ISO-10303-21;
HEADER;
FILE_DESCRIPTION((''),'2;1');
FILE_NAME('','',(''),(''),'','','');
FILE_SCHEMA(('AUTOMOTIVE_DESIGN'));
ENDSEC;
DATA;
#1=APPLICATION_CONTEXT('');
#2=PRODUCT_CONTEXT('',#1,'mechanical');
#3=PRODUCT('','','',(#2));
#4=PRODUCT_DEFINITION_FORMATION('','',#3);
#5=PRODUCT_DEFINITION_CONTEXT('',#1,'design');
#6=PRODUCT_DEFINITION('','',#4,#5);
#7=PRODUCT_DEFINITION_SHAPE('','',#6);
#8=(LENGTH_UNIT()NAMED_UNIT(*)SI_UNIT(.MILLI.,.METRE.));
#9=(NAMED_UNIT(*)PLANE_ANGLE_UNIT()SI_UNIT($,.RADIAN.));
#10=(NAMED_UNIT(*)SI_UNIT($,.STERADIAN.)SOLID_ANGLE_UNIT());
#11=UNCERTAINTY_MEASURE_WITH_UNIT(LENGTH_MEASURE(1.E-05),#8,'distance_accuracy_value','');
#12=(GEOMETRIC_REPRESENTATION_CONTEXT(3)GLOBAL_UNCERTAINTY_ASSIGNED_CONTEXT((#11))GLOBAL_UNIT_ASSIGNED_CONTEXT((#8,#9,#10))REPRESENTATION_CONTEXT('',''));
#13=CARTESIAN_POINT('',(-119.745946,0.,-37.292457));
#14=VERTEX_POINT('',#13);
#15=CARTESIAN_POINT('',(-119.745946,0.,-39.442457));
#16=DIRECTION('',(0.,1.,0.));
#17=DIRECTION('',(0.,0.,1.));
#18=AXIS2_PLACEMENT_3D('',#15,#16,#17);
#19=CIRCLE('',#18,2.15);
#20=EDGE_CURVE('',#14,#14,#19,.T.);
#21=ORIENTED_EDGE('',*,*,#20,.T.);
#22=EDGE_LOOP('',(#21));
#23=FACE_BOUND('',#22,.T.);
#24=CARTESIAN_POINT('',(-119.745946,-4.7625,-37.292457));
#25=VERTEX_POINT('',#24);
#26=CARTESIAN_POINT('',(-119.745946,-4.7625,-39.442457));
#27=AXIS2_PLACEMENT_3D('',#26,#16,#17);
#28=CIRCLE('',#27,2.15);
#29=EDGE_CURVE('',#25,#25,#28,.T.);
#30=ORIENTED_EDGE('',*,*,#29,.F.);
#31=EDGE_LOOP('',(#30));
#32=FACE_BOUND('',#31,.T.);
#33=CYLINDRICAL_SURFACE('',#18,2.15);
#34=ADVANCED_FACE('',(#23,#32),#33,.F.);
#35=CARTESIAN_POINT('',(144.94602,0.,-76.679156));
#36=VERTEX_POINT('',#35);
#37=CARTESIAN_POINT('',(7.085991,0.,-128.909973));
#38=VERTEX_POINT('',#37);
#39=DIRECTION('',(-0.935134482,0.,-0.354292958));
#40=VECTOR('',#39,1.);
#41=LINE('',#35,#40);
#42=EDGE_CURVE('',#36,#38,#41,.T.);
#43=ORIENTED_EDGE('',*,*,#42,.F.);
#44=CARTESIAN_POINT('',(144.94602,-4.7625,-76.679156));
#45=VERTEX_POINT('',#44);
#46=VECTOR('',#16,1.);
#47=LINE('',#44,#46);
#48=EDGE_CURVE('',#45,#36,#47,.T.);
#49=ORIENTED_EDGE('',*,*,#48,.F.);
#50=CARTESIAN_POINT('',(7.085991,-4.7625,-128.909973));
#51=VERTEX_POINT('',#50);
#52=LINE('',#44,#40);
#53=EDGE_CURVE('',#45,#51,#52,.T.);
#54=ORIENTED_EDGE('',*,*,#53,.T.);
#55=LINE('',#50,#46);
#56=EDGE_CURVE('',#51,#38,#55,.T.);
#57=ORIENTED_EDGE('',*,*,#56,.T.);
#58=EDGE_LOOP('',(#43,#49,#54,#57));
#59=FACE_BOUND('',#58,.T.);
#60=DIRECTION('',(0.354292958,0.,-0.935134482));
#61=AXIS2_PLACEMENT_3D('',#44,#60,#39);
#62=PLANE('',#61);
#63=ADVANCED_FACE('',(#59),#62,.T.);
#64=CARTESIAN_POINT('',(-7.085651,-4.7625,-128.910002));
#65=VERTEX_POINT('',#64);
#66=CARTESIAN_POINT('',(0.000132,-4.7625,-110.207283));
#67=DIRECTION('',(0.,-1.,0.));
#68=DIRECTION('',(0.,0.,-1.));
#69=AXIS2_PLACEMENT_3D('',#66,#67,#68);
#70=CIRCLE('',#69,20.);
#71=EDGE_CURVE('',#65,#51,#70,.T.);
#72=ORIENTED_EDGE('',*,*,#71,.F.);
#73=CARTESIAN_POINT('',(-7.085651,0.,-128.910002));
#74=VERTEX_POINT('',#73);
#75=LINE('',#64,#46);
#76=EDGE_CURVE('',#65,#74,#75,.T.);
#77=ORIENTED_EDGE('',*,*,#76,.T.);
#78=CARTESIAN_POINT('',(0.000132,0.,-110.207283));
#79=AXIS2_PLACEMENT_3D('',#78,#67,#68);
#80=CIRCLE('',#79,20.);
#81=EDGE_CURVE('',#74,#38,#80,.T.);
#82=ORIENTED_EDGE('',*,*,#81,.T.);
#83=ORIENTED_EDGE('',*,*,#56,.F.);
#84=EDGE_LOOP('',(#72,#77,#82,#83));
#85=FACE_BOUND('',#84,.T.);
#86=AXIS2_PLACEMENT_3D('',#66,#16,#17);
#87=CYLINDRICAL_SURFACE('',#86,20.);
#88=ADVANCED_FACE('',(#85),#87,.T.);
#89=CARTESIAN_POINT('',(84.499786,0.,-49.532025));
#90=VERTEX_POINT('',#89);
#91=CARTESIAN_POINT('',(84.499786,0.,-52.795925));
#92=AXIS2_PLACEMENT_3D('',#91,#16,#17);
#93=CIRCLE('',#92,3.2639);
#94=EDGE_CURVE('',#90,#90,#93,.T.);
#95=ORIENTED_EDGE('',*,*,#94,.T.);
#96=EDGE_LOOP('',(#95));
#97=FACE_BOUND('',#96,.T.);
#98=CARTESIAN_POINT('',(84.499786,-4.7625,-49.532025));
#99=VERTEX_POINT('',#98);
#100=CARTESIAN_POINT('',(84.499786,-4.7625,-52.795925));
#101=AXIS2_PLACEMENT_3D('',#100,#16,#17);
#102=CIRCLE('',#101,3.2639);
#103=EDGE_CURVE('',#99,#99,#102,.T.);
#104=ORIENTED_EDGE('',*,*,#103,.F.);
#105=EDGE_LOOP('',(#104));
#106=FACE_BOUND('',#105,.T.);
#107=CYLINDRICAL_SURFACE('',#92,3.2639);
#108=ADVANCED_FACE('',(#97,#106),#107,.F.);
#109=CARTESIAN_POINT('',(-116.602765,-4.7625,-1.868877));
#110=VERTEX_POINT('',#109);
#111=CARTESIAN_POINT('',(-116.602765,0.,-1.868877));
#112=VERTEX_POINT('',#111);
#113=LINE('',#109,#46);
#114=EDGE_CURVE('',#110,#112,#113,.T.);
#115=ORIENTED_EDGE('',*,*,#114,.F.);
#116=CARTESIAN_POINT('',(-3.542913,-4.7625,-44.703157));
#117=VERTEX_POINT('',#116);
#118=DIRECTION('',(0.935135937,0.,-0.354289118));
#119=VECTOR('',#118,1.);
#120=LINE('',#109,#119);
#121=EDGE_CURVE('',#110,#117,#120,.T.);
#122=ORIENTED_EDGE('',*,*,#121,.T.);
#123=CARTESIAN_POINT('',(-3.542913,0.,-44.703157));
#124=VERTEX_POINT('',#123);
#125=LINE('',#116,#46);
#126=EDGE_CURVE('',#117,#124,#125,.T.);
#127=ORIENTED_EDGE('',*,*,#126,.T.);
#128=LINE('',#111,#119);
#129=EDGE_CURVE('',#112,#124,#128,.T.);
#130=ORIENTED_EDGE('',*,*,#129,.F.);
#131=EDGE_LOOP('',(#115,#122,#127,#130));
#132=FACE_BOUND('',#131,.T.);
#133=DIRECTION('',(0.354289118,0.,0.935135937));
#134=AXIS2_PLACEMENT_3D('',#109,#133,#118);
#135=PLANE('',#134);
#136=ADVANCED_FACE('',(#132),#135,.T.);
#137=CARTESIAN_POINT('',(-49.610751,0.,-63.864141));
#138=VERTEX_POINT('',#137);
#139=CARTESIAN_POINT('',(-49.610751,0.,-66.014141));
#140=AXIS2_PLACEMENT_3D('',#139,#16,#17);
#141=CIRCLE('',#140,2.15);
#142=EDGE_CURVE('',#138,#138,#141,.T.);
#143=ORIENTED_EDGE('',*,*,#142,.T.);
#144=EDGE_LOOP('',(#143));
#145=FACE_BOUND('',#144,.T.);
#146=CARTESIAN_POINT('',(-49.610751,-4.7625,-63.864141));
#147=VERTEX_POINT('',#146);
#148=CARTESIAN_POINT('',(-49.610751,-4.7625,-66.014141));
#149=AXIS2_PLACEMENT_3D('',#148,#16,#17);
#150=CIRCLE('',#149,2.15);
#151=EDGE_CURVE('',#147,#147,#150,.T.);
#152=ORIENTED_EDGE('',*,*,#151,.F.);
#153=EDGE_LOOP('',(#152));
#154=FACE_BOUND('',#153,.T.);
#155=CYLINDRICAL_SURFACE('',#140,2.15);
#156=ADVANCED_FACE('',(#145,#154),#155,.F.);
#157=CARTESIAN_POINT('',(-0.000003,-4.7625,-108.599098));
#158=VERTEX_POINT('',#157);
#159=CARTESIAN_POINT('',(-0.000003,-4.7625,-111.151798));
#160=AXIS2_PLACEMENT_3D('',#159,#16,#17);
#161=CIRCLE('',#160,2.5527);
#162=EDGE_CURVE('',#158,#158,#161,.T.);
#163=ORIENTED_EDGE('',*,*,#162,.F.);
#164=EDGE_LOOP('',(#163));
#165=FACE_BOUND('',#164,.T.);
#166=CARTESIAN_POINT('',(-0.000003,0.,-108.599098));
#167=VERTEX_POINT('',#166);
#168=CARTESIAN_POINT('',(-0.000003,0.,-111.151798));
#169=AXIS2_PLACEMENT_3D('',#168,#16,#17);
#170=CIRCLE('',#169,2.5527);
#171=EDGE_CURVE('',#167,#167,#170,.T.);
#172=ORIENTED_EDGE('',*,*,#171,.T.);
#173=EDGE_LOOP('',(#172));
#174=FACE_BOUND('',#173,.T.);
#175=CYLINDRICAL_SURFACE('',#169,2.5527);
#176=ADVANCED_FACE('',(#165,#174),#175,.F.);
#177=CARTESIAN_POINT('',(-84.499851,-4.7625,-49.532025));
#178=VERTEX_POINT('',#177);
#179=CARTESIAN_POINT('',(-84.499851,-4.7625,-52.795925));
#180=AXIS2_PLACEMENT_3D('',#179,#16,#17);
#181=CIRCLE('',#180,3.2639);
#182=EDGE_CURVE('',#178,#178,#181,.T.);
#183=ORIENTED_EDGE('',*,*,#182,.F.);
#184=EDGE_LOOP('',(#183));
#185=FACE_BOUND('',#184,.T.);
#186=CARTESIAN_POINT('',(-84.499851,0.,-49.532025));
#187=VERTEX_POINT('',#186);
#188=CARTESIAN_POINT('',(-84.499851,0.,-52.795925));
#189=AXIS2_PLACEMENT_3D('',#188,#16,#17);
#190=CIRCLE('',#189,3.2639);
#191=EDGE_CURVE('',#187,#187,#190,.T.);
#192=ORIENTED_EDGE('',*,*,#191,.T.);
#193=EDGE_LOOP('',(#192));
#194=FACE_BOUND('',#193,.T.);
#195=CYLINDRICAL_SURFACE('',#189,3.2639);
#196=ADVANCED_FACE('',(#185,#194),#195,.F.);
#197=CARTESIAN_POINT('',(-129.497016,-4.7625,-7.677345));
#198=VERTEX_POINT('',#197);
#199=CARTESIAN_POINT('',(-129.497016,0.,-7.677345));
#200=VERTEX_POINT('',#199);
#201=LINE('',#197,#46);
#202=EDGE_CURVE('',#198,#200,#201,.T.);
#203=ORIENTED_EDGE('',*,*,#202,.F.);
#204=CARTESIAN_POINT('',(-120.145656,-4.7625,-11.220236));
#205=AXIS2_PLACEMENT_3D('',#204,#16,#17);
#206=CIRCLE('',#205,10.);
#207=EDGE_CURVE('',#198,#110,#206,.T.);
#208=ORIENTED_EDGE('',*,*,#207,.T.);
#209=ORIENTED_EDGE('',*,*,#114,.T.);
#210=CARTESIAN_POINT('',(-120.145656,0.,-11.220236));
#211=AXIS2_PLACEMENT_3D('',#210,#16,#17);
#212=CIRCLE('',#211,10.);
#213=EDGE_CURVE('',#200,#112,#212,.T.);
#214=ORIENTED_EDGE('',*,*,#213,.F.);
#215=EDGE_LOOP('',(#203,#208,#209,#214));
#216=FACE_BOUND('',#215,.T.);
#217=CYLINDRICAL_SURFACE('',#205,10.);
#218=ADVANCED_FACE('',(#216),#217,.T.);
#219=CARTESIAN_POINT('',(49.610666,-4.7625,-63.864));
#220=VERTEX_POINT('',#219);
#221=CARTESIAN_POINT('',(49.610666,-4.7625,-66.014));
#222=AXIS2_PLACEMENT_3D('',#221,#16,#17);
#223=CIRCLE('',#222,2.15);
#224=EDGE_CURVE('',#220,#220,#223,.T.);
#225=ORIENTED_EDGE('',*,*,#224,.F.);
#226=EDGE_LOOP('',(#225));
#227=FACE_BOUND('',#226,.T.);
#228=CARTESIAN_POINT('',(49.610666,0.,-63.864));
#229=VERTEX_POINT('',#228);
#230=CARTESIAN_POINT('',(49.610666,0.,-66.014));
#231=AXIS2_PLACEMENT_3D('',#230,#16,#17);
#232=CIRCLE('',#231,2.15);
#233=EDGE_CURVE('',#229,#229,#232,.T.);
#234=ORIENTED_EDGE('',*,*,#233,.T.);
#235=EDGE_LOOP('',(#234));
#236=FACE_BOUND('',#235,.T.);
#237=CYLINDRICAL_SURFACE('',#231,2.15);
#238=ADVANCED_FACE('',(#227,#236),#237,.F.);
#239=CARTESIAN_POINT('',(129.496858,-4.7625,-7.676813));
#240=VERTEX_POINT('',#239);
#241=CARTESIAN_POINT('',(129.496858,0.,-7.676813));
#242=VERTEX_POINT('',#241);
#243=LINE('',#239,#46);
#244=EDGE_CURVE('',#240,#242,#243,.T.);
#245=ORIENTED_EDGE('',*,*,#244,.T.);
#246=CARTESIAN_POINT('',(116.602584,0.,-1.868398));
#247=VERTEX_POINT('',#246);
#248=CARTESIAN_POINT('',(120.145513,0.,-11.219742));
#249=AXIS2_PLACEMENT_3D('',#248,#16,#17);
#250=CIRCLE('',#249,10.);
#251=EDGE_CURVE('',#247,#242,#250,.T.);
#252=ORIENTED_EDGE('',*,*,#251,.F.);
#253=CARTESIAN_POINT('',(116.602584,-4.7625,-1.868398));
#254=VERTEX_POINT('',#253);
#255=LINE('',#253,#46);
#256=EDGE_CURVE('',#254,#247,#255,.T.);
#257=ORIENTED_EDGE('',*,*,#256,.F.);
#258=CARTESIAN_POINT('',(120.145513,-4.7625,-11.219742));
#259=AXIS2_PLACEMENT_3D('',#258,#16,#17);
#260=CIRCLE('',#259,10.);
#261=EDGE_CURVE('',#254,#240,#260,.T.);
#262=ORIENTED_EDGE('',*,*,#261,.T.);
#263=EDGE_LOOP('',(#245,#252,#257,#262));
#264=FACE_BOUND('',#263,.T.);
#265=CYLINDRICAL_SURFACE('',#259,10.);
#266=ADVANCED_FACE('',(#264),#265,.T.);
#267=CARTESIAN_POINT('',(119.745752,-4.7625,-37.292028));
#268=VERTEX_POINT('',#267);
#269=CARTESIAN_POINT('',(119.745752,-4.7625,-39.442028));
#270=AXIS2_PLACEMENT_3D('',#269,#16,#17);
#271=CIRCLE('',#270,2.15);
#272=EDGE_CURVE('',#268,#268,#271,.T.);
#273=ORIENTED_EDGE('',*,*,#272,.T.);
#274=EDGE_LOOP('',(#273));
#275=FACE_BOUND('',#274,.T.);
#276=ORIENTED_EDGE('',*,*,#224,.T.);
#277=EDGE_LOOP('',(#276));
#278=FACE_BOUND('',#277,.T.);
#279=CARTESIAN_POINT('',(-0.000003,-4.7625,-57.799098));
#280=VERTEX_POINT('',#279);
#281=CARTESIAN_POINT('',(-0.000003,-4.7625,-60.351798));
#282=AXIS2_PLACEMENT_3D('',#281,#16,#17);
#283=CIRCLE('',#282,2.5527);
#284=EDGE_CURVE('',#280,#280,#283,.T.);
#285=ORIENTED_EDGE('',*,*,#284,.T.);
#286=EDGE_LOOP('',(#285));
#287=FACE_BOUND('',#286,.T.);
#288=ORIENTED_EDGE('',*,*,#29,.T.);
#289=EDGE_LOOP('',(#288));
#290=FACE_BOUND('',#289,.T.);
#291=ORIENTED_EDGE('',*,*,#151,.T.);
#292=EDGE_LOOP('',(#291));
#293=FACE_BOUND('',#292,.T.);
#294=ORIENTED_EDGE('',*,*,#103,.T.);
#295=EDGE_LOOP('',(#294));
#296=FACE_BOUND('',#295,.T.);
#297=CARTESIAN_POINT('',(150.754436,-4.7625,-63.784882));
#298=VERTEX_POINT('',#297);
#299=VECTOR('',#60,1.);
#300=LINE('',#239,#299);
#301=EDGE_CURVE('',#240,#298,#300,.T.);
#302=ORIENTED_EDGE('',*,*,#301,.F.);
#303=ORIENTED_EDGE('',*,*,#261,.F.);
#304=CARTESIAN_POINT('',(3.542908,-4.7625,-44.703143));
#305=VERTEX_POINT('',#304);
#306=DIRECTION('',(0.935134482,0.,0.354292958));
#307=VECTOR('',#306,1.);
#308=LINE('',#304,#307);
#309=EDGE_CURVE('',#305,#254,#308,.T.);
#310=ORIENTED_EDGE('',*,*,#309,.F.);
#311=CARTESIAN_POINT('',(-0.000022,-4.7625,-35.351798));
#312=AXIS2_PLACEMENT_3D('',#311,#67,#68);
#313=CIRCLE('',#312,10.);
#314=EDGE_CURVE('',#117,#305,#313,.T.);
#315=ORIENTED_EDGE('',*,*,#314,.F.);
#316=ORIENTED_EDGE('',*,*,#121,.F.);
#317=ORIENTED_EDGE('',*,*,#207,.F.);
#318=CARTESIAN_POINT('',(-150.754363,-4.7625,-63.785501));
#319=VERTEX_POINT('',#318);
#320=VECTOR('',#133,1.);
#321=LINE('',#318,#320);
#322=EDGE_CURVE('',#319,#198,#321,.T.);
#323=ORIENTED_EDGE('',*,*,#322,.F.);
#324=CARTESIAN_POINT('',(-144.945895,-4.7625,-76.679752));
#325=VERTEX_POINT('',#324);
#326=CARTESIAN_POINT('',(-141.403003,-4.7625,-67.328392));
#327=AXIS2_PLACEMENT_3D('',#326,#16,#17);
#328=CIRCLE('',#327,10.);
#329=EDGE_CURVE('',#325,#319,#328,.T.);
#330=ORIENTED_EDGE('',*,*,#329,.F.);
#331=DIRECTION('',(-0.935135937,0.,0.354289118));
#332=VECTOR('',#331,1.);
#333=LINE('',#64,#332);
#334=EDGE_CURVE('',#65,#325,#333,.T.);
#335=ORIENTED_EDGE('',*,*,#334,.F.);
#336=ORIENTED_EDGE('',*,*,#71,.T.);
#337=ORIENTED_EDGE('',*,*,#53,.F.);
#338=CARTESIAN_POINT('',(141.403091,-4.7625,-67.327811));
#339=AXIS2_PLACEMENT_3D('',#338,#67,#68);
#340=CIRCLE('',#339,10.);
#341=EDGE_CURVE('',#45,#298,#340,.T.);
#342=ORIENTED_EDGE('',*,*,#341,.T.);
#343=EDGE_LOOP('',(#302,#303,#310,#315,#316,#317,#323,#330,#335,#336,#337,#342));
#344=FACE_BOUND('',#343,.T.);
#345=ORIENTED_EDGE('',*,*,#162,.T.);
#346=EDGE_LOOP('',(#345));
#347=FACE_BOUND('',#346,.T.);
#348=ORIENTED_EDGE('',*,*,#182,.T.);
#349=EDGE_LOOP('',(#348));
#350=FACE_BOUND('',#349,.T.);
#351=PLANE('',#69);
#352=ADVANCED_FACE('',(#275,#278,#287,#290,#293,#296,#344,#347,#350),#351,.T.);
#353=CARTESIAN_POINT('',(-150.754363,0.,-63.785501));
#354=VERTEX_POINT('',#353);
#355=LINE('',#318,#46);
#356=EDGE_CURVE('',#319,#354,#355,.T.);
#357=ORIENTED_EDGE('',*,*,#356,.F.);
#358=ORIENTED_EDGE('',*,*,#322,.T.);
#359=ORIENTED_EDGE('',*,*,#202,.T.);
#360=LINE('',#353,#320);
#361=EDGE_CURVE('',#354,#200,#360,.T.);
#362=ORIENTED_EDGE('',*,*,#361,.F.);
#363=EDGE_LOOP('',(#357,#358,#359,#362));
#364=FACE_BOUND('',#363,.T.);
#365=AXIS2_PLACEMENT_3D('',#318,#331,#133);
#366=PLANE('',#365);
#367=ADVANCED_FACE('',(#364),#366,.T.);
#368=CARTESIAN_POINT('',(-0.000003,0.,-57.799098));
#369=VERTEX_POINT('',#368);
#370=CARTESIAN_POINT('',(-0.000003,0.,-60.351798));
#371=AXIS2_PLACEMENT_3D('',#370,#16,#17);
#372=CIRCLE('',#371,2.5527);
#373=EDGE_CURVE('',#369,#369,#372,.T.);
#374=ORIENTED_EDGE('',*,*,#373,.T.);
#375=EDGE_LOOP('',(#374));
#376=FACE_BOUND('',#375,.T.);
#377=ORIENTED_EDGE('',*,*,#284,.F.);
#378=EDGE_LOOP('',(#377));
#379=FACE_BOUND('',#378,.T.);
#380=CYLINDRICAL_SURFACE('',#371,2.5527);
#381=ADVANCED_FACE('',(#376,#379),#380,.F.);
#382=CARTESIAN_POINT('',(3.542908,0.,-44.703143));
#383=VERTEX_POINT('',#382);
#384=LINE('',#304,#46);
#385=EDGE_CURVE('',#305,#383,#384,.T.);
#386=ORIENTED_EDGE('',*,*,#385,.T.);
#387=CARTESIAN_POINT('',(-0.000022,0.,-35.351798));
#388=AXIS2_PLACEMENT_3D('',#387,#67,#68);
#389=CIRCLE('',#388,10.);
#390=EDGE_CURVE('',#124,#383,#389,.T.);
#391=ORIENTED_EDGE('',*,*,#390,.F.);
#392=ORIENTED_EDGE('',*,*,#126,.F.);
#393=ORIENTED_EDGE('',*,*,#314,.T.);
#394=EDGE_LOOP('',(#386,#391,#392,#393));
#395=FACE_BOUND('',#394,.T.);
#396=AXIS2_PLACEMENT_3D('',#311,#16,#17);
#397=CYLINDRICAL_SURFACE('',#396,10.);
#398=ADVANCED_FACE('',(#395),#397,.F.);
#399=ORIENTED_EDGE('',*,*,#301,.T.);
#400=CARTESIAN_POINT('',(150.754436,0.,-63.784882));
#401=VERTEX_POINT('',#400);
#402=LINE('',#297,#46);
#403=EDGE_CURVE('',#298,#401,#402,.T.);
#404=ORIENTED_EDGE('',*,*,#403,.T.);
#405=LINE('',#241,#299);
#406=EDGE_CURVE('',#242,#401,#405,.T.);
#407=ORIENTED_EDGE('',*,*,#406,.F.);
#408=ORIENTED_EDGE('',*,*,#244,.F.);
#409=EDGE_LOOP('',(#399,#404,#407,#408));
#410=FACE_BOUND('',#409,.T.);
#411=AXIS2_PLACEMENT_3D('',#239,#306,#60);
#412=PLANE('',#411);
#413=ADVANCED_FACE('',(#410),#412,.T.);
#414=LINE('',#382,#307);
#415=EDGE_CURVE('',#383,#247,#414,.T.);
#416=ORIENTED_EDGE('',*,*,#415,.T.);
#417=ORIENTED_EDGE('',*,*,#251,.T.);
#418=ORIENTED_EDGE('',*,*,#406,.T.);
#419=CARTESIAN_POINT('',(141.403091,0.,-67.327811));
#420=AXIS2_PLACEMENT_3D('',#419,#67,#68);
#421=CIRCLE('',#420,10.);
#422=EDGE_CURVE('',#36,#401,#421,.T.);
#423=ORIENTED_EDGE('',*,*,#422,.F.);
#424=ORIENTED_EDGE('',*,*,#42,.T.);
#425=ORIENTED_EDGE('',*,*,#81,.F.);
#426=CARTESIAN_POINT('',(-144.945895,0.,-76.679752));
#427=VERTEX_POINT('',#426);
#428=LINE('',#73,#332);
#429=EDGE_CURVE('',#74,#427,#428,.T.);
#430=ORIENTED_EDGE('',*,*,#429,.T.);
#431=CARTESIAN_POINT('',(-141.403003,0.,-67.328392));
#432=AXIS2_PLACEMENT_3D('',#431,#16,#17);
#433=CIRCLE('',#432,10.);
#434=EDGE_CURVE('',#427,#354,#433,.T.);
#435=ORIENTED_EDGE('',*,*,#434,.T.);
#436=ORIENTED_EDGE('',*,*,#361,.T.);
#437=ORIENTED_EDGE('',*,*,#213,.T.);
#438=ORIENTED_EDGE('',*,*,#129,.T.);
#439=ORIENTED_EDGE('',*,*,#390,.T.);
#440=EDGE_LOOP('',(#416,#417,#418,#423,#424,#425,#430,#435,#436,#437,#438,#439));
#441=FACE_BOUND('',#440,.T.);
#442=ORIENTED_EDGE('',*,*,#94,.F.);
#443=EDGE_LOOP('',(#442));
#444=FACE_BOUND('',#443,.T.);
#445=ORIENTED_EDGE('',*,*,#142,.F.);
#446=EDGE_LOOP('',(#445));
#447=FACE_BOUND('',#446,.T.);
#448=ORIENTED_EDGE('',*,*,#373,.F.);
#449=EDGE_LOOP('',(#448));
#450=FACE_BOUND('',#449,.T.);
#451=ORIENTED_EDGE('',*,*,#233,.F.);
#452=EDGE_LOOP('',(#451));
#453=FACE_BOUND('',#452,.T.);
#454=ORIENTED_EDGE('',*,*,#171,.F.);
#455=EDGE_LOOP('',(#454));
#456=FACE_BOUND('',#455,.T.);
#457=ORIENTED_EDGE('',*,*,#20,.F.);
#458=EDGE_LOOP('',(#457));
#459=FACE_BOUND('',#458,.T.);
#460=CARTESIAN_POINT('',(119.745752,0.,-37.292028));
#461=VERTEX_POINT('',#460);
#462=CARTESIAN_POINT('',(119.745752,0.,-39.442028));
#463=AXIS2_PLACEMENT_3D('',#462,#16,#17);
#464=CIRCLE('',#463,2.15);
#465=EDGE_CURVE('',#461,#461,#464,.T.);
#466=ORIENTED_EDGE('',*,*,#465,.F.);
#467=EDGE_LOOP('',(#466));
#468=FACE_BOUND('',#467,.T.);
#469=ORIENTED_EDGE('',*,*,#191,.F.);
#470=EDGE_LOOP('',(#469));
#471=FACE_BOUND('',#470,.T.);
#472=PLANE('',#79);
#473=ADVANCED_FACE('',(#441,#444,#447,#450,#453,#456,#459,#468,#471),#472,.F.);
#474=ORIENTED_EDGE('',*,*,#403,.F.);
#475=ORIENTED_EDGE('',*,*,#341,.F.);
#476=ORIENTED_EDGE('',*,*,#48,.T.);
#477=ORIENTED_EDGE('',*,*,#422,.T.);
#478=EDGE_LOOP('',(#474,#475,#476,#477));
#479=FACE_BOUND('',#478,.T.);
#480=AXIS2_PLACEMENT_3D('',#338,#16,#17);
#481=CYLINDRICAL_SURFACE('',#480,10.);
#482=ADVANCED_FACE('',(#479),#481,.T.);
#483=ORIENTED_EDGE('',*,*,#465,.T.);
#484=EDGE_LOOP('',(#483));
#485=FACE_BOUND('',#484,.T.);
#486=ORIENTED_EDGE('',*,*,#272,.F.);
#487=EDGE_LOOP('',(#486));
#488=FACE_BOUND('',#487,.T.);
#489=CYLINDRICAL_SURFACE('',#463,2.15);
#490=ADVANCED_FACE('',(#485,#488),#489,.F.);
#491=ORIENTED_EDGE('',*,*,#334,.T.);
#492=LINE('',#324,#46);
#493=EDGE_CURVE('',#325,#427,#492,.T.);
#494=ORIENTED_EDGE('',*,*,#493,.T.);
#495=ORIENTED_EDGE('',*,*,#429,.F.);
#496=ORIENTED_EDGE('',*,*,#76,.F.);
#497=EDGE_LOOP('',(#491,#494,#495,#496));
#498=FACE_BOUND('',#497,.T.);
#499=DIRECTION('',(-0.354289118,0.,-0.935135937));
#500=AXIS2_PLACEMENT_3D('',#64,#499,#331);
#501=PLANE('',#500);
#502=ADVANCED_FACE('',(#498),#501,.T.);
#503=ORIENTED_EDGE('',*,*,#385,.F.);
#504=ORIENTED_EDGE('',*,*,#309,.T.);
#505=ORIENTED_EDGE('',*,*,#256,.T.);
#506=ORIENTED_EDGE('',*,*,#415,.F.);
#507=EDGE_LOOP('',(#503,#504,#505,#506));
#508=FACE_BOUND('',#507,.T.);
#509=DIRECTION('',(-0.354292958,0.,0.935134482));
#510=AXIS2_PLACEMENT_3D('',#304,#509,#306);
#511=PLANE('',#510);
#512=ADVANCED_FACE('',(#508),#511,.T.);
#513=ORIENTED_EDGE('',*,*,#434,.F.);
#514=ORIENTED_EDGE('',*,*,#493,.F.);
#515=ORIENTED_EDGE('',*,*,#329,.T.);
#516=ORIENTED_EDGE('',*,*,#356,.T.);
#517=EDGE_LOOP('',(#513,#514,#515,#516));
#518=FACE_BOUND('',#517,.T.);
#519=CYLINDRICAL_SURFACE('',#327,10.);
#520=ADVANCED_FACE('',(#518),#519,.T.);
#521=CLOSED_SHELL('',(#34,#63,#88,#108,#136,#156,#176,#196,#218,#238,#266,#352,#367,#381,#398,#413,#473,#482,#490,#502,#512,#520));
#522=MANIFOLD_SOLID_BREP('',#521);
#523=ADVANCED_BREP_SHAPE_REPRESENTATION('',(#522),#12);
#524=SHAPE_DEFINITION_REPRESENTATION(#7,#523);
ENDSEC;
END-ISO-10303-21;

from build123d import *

# Parameters (mm, degrees)
BOSS_EXTRUDE1_DEPTH     = 4.7625
F_1_4_CLEARANCE_HOLE4_D = 6.5278
M4_CLEARANCE_HOLE1_D    = 4.3
F_1_4_20_TAPPED_HOLE1_D = 5.1054


with BuildPart() as part:
    # Sketch2 → Boss-Extrude1 (new body)
    with BuildSketch(Plane(origin=(0, 0, 0), x_dir=(1, 0, 0), z_dir=(0, 1, 0))):
        with BuildLine():
            Line((144.946020413, 76.679156198), (7.085990937, 128.90997287))
            ThreePointArc((7.085990937, 128.90997287), (0.000172842, 130.207283228), (-7.085650583, 128.910001974))
            Line((-7.085650583, 128.910001974), (-144.945894589, 76.679751543))
            ThreePointArc((-144.945894589, 76.679751543), (-150.520615414, 71.435599421), (-150.754362786, 63.785500995))
            Line((-150.754362786, 63.785500995), (-129.497015734, 7.677344758))
            ThreePointArc((-129.497015734, 7.677344758), (-124.252863612, 2.102623932), (-116.602765186, 1.86887656))
            Line((-116.602765186, 1.86887656), (-3.542913137, 44.703157239))
            ThreePointArc((-3.542913137, 44.703157239), (-1.425e-06, 45.351797866), (3.542907623, 44.703142687))
            Line((3.542907623, 44.703142687), (116.602583736, 1.868397631))
            ThreePointArc((116.602583736, 1.868397631), (124.252683122, 2.102113581), (129.496858142, 7.676812867))
            Line((129.496858142, 7.676812867), (150.75443565, 63.784881792))
            ThreePointArc((150.75443565, 63.784881792), (150.520719699, 71.434981178), (144.946020413, 76.679156198))
        make_face()
    extrude(amount=-BOSS_EXTRUDE1_DEPTH)

    # 1/4 Clearance Hole4 (through all)
    with Locations(Plane(origin=(0, 0, 0), x_dir=(1, 0, 0), z_dir=(0, 1, 0))):
        with Locations((84.499786461, 52.795924918), (-84.499851108, 52.795924918)):
            Hole(F_1_4_CLEARANCE_HOLE4_D / 2)

    # M4 Clearance Hole1 (through all)
    with Locations(Plane(origin=(0, 0, 0), x_dir=(1, 0, 0), z_dir=(0, 1, 0))):
        with Locations((-49.61075086, 66.014140629), (-119.745946152, 39.442456816), (49.610666218, 66.014000002), (119.745752362, 39.442028122)):
            Hole(M4_CLEARANCE_HOLE1_D / 2)

    # 1/4-20 Tapped Hole1 (through all)
    with Locations(Plane(origin=(0, 0, 0), x_dir=(1, 0, 0), z_dir=(0, 1, 0))):
        with Locations((-2.901e-06, 111.151797866), (-2.901e-06, 60.351797866)):
            Hole(F_1_4_20_TAPPED_HOLE1_D / 2)


solid = part.part
